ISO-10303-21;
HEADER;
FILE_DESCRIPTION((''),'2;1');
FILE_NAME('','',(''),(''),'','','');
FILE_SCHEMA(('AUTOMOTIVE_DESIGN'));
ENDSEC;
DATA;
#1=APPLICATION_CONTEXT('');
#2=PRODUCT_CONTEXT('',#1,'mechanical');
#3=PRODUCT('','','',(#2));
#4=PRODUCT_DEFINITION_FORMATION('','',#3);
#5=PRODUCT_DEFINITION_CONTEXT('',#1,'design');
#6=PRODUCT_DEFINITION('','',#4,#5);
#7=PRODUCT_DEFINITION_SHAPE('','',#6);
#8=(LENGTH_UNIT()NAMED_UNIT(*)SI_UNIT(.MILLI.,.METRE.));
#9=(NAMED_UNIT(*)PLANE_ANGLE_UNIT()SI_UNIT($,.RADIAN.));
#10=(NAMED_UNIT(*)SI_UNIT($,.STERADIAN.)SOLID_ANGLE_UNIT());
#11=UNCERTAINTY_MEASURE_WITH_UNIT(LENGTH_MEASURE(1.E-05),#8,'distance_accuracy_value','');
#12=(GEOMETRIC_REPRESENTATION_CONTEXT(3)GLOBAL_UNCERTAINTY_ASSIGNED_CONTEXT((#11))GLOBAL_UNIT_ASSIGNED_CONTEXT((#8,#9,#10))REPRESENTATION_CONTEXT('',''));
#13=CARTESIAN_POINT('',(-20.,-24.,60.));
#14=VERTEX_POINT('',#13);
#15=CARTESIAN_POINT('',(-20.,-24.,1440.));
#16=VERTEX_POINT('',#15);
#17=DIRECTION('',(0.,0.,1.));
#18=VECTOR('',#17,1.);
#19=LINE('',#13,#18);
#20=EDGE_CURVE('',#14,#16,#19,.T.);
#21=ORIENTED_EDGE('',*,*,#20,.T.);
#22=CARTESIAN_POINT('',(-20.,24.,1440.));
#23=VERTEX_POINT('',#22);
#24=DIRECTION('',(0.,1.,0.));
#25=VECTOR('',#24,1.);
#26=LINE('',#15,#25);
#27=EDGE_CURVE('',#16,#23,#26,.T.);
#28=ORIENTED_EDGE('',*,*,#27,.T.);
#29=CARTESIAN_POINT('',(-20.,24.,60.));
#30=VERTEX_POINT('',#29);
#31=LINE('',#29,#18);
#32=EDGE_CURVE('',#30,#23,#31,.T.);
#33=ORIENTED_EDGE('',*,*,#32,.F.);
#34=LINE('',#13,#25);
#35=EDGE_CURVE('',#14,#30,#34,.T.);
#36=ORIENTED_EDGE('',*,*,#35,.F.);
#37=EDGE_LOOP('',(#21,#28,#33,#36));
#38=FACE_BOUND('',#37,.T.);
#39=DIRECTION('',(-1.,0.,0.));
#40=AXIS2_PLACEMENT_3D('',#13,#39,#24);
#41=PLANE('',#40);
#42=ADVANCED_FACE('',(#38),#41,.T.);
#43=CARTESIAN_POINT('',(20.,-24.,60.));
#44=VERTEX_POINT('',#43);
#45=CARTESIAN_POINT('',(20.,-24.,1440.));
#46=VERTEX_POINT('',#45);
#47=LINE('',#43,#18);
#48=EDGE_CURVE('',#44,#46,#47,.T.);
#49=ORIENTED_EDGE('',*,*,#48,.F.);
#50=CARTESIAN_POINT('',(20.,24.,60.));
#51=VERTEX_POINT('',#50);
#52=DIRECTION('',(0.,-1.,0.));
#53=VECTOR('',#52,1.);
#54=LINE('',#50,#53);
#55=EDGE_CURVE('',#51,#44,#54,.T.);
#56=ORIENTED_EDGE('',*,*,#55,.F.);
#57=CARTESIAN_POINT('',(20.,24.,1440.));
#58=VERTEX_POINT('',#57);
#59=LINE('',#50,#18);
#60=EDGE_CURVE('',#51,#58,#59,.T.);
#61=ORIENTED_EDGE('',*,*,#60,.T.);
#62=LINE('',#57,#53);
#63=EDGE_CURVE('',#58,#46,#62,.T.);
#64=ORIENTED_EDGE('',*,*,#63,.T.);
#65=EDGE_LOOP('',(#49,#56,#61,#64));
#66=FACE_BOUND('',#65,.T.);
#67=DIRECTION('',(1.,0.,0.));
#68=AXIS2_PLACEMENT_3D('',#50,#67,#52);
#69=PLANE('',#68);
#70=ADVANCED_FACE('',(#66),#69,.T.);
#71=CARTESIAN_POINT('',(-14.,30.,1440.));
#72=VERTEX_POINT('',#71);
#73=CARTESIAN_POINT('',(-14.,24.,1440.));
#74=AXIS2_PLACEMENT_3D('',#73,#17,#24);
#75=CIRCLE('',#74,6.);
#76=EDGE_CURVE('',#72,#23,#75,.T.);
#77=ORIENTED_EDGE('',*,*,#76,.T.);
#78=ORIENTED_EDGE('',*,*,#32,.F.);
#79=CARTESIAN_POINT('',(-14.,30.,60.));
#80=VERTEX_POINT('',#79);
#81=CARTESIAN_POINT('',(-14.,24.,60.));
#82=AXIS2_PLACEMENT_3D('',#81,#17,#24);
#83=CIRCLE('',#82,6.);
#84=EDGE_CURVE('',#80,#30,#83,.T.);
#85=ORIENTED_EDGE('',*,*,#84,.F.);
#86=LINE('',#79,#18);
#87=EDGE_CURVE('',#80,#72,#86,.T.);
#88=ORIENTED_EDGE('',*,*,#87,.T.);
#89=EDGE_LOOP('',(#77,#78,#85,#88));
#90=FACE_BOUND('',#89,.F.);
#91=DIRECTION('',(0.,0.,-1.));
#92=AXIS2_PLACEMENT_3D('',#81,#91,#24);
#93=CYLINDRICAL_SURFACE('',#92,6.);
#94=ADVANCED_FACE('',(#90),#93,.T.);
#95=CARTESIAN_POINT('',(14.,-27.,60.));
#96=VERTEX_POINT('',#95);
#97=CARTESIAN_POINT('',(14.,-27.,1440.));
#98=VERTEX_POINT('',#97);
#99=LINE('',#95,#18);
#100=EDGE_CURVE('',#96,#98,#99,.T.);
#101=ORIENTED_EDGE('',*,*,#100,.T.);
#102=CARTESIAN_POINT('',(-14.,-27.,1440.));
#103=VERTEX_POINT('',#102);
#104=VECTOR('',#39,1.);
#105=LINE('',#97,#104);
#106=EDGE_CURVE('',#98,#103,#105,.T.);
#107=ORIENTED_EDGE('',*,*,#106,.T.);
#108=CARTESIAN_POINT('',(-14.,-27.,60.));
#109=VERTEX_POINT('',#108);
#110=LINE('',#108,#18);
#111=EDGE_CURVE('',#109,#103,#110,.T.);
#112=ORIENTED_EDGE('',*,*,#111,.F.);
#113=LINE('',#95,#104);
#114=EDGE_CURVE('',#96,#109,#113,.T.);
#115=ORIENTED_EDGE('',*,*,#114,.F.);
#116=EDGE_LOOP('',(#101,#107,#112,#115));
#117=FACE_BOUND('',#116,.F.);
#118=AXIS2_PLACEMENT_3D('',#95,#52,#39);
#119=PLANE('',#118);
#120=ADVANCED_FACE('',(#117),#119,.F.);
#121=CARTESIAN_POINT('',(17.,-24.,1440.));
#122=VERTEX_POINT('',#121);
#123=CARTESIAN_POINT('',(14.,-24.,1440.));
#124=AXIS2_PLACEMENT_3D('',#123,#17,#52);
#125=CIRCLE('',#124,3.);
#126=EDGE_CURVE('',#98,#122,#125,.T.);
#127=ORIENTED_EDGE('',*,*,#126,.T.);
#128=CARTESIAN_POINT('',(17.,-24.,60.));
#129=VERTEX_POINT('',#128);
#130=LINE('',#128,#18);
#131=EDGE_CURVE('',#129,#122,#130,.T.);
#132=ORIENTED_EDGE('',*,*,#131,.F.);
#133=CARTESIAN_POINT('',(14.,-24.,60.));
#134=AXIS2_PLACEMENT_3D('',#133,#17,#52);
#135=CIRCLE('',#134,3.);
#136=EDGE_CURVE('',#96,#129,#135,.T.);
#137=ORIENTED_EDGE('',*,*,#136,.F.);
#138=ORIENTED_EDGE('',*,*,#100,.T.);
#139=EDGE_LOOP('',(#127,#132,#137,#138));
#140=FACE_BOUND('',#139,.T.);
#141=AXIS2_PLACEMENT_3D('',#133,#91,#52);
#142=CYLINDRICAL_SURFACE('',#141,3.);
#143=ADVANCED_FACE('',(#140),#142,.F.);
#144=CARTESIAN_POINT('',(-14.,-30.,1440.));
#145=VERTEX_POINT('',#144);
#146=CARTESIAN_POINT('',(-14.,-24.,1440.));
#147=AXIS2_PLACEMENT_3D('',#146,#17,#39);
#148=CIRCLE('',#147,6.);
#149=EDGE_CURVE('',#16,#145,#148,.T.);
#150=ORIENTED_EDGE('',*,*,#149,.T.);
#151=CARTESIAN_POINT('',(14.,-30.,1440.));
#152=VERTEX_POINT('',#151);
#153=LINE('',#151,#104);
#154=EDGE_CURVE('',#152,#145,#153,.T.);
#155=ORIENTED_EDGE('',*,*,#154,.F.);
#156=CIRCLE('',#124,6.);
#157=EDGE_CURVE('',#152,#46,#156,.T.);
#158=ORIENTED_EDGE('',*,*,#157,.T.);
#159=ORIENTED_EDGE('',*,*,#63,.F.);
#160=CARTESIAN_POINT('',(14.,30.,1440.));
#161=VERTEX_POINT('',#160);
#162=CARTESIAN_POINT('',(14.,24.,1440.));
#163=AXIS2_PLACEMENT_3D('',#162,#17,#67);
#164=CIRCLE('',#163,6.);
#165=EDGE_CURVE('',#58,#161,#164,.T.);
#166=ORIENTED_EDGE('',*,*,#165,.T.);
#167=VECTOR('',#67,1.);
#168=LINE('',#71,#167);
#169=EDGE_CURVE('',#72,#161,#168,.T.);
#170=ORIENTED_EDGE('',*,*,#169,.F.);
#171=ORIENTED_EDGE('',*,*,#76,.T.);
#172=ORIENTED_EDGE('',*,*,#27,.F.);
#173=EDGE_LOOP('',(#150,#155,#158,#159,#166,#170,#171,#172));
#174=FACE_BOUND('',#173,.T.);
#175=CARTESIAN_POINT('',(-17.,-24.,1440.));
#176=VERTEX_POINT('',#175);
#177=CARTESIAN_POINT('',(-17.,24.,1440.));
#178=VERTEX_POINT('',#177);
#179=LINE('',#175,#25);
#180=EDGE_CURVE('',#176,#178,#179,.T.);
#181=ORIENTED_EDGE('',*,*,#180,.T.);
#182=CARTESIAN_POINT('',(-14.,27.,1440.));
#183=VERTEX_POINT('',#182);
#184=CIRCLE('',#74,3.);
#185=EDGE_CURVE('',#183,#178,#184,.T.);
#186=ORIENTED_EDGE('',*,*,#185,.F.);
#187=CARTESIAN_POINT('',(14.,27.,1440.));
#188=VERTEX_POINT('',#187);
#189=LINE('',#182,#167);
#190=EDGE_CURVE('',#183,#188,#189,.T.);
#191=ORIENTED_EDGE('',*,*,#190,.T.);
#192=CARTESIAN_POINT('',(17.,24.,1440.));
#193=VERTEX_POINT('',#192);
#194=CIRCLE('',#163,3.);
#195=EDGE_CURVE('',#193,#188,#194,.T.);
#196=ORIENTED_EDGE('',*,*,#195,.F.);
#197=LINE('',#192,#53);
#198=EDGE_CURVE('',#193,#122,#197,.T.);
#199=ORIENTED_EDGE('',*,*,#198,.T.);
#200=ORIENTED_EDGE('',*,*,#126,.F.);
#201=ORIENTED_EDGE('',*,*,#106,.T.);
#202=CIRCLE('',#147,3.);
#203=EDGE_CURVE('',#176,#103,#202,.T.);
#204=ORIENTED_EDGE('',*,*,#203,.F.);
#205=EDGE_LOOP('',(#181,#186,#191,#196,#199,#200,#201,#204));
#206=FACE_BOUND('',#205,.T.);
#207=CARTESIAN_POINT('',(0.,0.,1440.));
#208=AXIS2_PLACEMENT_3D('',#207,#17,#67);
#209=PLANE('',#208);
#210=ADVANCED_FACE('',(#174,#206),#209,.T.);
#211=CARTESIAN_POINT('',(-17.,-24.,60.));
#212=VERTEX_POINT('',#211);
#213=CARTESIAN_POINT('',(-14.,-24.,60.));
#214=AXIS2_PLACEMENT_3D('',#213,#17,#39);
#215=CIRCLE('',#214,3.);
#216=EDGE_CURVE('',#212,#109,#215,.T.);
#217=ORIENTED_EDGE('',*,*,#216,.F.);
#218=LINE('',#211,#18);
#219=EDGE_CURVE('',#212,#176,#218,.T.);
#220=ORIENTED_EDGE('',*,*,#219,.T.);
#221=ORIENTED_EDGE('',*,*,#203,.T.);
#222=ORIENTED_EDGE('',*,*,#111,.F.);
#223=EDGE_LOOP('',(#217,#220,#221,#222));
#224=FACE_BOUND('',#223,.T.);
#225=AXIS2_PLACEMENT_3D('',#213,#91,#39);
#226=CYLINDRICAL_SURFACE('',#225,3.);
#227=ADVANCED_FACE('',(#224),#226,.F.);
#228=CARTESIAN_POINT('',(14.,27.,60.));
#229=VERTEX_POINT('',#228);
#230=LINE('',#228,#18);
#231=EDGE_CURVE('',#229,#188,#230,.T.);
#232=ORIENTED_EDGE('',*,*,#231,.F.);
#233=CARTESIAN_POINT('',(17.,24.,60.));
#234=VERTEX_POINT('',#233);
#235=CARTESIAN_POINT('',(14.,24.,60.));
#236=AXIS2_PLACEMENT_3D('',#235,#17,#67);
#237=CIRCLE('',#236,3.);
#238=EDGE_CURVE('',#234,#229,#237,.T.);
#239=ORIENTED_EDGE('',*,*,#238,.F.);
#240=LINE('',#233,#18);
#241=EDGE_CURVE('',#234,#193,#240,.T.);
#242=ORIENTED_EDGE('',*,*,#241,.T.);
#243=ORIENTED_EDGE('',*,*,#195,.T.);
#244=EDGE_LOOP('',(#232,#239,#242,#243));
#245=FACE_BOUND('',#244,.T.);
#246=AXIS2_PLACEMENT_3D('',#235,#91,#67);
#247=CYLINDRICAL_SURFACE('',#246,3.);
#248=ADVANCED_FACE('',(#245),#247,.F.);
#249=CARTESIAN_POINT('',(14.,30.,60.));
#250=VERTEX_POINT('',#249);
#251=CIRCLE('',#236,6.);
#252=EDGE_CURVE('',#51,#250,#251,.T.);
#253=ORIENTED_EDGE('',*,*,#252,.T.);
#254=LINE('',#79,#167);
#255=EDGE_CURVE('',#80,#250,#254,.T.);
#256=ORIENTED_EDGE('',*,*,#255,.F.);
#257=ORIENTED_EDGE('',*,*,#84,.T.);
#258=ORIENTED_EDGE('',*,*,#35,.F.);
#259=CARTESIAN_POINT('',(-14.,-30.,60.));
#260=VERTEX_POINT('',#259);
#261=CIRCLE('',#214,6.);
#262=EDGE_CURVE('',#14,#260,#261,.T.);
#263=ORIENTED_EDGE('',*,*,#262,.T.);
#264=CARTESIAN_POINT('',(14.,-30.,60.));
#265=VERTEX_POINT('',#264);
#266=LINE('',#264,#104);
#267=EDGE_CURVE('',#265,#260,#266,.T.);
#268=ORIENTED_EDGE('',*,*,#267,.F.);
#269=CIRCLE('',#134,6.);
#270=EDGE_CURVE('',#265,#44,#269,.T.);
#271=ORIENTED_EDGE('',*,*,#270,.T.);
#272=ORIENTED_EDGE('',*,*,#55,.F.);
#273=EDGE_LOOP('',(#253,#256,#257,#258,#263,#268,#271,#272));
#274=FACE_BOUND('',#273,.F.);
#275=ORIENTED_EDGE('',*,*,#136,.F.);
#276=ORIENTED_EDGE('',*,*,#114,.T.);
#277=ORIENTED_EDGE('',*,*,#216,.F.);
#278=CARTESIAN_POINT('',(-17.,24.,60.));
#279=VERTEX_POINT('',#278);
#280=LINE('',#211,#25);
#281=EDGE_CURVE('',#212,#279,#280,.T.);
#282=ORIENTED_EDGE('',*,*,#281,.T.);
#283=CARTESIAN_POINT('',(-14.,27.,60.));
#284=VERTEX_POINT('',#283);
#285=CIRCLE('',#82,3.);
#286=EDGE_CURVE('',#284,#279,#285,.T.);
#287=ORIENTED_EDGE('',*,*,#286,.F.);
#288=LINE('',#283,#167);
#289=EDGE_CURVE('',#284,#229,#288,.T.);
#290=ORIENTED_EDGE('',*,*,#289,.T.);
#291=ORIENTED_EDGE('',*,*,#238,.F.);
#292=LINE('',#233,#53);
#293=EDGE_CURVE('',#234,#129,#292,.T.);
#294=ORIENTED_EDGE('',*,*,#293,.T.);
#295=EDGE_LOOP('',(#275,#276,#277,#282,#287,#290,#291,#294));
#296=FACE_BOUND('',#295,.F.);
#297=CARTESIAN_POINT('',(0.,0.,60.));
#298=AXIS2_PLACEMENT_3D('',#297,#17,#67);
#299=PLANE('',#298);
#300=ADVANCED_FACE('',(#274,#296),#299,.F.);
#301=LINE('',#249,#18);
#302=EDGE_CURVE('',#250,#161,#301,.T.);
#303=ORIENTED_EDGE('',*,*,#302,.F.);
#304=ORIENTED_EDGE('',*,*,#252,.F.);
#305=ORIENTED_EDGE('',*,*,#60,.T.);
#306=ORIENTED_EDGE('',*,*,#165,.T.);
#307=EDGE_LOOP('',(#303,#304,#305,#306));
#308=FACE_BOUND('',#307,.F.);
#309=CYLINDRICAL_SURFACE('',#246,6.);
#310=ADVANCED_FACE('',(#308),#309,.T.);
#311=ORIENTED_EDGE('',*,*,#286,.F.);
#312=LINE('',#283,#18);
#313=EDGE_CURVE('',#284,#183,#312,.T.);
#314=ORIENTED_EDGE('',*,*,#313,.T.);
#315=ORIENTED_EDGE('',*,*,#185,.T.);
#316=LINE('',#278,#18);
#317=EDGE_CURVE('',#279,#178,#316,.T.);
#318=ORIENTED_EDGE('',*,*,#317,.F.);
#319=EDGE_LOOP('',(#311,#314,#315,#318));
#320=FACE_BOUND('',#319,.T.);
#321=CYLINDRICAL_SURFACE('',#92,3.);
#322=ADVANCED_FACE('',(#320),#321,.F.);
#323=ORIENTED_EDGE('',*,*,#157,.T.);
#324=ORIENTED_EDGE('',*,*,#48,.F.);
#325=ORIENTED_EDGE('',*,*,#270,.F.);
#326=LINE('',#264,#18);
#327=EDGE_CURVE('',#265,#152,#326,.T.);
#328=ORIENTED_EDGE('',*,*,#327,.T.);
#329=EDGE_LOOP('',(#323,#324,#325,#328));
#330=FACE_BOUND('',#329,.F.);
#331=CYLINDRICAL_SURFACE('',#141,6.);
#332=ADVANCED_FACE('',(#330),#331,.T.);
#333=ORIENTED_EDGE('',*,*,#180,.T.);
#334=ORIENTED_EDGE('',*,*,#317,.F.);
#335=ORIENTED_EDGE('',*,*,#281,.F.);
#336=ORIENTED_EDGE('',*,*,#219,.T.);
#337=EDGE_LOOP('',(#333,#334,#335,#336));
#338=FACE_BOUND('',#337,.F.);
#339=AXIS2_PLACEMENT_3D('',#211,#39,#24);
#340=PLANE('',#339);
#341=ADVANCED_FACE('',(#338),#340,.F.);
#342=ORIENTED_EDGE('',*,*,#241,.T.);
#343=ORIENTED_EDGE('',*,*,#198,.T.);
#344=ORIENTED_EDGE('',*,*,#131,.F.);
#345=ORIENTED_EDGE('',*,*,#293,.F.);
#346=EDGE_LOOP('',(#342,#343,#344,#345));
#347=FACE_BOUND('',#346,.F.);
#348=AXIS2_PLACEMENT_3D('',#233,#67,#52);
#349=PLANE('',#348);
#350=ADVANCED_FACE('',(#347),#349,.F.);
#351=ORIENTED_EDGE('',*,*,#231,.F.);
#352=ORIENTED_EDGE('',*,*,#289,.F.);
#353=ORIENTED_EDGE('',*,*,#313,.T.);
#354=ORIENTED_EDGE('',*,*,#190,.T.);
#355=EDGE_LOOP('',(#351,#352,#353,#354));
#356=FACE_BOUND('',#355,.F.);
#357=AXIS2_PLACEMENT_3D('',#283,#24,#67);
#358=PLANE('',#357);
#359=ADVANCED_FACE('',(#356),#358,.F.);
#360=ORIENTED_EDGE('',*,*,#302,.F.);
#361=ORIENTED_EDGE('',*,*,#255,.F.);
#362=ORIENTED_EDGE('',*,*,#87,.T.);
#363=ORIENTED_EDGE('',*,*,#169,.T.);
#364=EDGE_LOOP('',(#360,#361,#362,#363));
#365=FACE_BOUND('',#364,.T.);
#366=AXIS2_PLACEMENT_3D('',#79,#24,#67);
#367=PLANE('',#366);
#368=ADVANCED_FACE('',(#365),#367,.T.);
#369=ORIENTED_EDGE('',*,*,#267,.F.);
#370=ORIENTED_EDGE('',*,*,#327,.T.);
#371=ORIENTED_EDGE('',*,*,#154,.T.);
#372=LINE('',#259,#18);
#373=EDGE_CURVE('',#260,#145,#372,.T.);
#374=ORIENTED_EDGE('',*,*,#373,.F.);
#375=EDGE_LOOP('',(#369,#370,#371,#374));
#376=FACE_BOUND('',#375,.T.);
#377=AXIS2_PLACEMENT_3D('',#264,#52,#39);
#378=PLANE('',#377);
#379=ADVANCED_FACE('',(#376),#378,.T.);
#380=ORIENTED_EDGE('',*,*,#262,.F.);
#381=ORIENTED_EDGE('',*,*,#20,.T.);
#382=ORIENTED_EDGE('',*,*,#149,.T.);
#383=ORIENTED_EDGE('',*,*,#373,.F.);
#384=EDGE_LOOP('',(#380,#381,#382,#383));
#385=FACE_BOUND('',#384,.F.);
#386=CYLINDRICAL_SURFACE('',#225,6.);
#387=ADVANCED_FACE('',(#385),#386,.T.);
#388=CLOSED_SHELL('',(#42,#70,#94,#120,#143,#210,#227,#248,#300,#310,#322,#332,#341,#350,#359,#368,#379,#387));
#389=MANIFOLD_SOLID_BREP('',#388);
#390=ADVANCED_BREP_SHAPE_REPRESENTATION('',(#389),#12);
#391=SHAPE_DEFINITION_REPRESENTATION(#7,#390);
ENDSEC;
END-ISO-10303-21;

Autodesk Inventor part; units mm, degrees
ref_plane "YZ Plane" through (0, 0, 0) normal (1, 0, 0) x (0, 1, 0)
ref_plane "Start Plane" through (0, 0, 60) normal (0, 0, 1) x (1, 0, 0)
ref_plane "End Plane" through (0, 0, 1440) normal (0, 0, 1) x (1, 0, 0)
sketch "Sketch" plane through (0, 0, 0) normal (0, 0, 1) x (1, 0, 0)
  line L0 (-20, -24) -> (-20, 24)
  line L1 (-14, 30) -> (14, 30)
  line L2 (20, 24) -> (20, -24)
  line L3 (14, -30) -> (-14, -30)
  arc A0 (-20, -24) -> (-14, -30) centre (-14, -24) ccw
  arc A1 (20, 24) -> (14, 30) centre (14, 24) ccw
  arc A2 (-14, 30) -> (-20, 24) centre (-14, 24) ccw
  arc A3 (14, -30) -> (20, -24) centre (14, -24) ccw
  arc A4 (-14, 27) -> (-17, 24) centre (-14, 24) ccw
  line L4 (-14, 27) -> (14, 27)
  arc A5 (17, 24) -> (14, 27) centre (14, 24) ccw
  line L5 (17, 24) -> (17, -24)
  arc A6 (14, -27) -> (17, -24) centre (14, -24) ccw
  line L6 (14, -27) -> (-14, -27)
  arc A7 (-17, -24) -> (-14, -27) centre (-14, -24) ccw
  line L7 (-17, -24) -> (-17, 24)
  line L8 (0, 43.7397) -> (0, -43.7397) construction
  line L9 (-29.7397, 0) -> (29.7397, 0) construction
  dimension "d7" = 6
  dimension "d9" = 40
  dimension "d11" = 60
  dimension "d12" = 3
  dimension "d15" = 20
  dimension "d16" = 30
extrude "Body" add sketch "Sketch" along normal up to surface (1380 mm away) from surface at 60
sketch "Sketch3" plane through (0, 0, 0) normal (0, 0, 1) x (1, 0, 0)
  line L0 (0, 0) -> (10, 0)
ref_plane "Work Plane3" through (0, 0, 0) normal (0, -1, 0) x (1, 0, 0)
sketch "Sketch4" plane through (0, 0, 0) normal (0, -1, 0) x (1, 0, 0)
  line L0 (-2, 60) -> (12, 60) projected
  line L1 (-2, 1440) -> (12, 1440) projected
  dimension "d18" = 1380
equation "\"d7\" = G_IR"
equation "\"d9\" = G_W"
equation "\"d11\" = G_H"
equation "\"d12\" = G_T"
equation "\"d15\" = 0.5 * d9"
equation "\"d16\" = 0.5 * d11"
equation "\"d3\" = G_L"
equation "\"G_W\" = 40"
equation "\"G_H\" = 60"
equation "\"G_T\" = 3"
equation "\"G_IR\" = 6"
equation "\"G_L\" = d18"
properties part number "ISO 4019 - 60x40x3 - 1380" material "Steel, Mild"
